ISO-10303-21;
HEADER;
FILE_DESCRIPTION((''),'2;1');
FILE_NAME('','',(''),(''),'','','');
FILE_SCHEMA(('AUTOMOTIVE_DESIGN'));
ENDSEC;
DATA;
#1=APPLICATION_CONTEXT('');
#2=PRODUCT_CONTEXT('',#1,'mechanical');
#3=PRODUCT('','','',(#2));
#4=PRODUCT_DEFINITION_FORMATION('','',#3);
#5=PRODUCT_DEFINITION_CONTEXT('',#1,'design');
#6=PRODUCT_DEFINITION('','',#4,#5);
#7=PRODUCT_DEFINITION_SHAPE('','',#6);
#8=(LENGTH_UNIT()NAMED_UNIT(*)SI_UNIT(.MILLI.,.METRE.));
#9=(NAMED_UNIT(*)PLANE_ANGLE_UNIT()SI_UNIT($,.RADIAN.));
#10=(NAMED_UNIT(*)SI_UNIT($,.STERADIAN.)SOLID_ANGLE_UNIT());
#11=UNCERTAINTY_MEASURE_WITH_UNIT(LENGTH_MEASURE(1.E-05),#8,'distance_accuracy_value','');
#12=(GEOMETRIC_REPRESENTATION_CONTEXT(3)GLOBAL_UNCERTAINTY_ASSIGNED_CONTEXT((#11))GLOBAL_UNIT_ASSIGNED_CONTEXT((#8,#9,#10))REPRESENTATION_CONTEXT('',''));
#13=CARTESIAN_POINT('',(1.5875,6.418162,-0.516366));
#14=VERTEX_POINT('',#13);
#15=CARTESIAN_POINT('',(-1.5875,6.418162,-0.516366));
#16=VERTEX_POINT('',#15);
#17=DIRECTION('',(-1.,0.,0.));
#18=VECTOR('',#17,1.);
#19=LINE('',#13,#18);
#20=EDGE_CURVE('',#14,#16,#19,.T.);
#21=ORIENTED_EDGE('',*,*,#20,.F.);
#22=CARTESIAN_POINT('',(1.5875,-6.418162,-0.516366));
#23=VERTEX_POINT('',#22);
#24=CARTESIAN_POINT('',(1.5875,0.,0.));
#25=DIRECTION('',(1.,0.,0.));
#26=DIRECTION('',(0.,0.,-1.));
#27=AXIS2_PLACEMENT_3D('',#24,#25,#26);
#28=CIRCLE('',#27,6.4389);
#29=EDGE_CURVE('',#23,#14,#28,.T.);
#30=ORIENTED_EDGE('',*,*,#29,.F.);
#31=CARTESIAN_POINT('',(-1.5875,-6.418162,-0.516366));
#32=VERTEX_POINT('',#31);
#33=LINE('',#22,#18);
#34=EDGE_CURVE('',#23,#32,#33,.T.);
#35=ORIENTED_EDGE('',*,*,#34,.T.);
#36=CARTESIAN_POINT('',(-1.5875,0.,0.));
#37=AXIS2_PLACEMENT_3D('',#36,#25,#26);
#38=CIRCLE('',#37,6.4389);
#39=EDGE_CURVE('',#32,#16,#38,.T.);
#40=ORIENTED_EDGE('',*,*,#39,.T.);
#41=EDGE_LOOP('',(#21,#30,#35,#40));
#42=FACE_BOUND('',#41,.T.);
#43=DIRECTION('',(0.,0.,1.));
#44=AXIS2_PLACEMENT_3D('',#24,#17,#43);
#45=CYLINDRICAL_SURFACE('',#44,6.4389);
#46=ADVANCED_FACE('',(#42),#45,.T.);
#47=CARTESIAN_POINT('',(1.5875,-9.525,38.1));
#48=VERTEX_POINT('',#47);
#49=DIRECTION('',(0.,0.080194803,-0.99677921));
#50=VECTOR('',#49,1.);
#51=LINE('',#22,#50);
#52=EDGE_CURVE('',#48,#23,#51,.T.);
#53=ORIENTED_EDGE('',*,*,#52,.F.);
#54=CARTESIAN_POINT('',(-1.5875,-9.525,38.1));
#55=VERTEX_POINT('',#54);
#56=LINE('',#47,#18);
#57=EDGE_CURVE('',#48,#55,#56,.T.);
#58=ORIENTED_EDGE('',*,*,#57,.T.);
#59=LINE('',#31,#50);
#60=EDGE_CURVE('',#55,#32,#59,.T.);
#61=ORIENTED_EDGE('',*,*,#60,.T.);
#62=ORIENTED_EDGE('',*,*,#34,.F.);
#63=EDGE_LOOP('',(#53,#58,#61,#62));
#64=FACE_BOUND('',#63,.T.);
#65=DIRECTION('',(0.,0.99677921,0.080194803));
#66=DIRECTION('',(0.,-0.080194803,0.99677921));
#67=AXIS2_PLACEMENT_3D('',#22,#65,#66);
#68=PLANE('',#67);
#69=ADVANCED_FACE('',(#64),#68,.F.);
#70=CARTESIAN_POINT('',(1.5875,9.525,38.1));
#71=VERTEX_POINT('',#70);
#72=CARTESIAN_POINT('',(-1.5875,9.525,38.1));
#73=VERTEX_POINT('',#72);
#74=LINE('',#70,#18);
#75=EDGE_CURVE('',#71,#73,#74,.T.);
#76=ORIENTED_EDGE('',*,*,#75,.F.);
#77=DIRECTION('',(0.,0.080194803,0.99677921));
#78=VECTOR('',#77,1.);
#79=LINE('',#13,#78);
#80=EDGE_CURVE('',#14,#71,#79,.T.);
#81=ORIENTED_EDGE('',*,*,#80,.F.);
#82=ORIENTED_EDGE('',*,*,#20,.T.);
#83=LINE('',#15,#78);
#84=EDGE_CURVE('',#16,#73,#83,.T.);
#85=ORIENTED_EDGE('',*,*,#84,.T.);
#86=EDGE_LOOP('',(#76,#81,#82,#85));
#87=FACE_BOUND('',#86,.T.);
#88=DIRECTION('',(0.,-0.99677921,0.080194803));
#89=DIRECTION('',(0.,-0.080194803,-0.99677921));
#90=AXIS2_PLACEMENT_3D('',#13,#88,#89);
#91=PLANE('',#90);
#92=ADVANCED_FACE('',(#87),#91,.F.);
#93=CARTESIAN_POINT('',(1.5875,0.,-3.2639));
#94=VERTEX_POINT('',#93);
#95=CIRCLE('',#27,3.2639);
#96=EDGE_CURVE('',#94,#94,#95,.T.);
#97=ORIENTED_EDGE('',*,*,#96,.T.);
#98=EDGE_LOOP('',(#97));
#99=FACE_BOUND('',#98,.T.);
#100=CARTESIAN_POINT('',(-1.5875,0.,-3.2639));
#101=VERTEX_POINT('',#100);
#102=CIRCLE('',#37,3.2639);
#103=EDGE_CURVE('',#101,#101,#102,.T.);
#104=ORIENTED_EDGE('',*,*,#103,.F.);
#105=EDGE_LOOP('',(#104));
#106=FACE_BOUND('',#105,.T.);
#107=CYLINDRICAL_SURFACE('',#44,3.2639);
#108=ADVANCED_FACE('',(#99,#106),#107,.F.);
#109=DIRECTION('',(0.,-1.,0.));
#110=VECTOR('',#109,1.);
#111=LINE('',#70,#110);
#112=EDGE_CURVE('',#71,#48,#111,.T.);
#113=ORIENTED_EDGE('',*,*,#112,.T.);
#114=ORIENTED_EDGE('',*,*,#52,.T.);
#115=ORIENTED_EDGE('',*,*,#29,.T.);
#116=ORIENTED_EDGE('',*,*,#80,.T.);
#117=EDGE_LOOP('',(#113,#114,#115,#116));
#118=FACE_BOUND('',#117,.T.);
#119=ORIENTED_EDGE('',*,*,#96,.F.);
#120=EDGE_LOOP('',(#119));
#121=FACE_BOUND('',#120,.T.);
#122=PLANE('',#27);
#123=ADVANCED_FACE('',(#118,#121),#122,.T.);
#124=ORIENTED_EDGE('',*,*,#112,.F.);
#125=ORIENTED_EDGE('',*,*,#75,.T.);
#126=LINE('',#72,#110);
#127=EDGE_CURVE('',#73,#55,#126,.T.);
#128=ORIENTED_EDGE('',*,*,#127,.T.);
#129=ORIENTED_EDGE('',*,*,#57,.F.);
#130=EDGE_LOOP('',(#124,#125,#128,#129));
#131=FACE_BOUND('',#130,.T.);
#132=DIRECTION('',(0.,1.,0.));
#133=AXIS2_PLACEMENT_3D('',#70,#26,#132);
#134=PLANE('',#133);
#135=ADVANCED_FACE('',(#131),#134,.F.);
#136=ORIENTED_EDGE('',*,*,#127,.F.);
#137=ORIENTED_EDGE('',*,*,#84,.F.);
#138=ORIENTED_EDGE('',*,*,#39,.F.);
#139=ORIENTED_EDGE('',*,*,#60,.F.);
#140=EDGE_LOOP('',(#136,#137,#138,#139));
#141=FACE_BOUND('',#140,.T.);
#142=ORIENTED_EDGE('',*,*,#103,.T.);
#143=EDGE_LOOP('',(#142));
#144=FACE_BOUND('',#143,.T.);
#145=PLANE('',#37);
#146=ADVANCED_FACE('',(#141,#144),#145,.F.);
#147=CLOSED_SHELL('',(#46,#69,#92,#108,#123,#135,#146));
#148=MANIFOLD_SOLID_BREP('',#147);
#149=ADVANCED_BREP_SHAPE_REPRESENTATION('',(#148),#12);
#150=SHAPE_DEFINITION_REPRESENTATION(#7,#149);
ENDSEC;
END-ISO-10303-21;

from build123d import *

# Parameters (mm, degrees)
SKETCH1_R           = 3.2639
BOSS_EXTRUDE1_DEPTH = 1.5875


with BuildPart() as part:
    # Sketch1 → Boss-Extrude1 (new, symmetric)
    with BuildSketch(Plane(origin=(0, 0, 0), x_dir=(0, 0, -1), z_dir=(1, 0, 0))):
        with BuildLine():
            Line((-38.1, 9.525), (-38.1, -9.525))
            Line((-38.1, -9.525), (0.516366314, -6.418161656))
            ThreePointArc((0.516366314, -6.418161656), (6.4389, 0), (0.516366314, 6.418161656))
            Line((0.516366314, 6.418161656), (-38.1, 9.525))
        make_face()
        Circle(SKETCH1_R, mode=Mode.SUBTRACT)
    extrude(amount=BOSS_EXTRUDE1_DEPTH, both=True)


solid = part.part
